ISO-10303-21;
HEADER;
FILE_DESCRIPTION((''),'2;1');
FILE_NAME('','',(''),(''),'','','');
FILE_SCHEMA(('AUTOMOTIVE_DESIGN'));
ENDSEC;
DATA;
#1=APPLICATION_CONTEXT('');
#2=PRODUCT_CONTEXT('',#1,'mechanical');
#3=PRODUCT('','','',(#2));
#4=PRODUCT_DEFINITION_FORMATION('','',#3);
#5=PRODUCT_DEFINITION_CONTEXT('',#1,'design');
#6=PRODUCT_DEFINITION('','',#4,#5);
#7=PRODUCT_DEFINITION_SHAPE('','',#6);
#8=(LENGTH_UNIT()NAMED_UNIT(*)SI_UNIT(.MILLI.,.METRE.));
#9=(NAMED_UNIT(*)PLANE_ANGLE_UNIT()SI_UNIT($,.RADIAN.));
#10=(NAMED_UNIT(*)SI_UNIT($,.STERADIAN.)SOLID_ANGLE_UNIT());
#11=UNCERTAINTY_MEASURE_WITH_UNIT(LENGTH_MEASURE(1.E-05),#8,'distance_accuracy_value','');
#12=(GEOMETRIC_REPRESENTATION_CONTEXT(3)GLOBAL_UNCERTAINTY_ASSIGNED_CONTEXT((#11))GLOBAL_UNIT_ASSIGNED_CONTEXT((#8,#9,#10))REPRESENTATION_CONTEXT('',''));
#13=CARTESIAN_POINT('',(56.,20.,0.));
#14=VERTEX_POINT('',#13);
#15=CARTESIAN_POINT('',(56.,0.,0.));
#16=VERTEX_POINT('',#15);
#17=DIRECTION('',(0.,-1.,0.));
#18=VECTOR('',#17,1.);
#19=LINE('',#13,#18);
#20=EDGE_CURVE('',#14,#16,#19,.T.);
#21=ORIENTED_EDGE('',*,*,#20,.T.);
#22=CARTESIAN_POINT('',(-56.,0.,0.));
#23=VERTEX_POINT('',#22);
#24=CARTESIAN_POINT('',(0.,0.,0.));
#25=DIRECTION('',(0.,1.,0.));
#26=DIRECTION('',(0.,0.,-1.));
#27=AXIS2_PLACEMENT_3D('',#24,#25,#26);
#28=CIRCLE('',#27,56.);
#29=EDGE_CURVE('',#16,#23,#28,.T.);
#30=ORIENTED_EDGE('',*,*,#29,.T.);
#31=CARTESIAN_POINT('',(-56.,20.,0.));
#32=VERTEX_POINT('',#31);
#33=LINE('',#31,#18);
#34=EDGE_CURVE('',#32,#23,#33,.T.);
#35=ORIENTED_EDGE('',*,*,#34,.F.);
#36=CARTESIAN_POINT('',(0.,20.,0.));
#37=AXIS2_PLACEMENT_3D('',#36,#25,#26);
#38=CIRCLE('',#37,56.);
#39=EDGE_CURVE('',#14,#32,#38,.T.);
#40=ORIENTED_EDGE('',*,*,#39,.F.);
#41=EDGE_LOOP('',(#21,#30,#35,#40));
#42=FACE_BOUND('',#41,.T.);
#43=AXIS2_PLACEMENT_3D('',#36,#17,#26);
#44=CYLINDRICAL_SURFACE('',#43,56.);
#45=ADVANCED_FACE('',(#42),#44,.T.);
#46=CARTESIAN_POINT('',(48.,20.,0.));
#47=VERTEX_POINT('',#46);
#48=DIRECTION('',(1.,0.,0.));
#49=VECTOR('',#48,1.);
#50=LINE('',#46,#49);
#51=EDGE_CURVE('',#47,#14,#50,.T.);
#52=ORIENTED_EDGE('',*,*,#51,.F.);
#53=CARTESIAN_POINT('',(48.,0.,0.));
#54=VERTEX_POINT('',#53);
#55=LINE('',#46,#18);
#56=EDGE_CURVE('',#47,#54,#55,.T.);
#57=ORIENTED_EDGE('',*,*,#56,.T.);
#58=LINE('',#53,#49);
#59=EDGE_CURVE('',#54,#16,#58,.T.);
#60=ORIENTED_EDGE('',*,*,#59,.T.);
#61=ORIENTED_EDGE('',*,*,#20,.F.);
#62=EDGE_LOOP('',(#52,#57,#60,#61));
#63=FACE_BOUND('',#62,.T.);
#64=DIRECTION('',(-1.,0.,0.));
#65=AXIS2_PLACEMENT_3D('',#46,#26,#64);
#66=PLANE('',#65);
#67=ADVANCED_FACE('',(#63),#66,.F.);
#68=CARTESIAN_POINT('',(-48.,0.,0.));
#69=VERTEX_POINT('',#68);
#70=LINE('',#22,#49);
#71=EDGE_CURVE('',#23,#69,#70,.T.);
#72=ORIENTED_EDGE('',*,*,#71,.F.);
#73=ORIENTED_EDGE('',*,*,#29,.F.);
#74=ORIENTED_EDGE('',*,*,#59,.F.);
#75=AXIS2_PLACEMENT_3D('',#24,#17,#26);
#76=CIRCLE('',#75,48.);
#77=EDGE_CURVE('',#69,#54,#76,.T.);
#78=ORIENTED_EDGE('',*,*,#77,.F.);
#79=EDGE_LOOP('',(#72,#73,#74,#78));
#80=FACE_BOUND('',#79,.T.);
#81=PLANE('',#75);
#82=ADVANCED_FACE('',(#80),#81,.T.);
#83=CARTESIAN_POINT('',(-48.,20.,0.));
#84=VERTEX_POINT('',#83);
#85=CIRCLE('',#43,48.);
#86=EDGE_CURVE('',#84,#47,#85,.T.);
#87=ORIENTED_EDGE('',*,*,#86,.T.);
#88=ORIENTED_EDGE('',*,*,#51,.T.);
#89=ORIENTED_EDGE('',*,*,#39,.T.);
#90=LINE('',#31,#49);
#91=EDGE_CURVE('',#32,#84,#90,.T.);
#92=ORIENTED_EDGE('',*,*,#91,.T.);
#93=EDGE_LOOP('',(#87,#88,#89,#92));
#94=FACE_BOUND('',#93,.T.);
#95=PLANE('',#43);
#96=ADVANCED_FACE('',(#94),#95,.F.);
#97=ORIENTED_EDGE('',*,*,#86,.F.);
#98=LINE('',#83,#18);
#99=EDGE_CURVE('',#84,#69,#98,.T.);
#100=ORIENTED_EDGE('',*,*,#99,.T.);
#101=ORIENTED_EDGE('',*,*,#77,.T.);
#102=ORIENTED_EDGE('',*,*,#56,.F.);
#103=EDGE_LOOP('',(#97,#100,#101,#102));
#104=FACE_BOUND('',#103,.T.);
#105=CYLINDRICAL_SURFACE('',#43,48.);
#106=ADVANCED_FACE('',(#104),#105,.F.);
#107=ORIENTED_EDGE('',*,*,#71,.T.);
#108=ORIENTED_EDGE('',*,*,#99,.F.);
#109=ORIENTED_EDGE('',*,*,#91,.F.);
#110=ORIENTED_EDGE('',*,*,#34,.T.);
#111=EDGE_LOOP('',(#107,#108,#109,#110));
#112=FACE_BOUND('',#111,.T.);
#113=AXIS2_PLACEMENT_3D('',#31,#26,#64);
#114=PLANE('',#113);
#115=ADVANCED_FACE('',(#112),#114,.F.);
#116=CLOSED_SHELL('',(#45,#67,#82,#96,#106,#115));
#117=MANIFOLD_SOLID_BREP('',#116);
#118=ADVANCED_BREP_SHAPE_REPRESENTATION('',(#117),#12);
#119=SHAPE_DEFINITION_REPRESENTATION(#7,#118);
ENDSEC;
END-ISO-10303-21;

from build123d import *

# Parameters (mm, degrees)
EXTRUDE_1_DEPTH = 20


with BuildPart() as part:
    # 草图1 → 凸台-拉伸1 (new body)
    with BuildSketch(Plane(origin=(0, 0, 0), x_dir=(1, 0, 0), z_dir=(0, 1, 0))):
        with BuildLine():
            Line((-56, 0), (-48, 0))
            ThreePointArc((-48, 0), (0, 48), (48, 0))
            Line((48, 0), (56, 0))
            ThreePointArc((56, 0), (0, 56), (-56, 0))
        make_face()
    extrude(amount=EXTRUDE_1_DEPTH)


solid = part.part
